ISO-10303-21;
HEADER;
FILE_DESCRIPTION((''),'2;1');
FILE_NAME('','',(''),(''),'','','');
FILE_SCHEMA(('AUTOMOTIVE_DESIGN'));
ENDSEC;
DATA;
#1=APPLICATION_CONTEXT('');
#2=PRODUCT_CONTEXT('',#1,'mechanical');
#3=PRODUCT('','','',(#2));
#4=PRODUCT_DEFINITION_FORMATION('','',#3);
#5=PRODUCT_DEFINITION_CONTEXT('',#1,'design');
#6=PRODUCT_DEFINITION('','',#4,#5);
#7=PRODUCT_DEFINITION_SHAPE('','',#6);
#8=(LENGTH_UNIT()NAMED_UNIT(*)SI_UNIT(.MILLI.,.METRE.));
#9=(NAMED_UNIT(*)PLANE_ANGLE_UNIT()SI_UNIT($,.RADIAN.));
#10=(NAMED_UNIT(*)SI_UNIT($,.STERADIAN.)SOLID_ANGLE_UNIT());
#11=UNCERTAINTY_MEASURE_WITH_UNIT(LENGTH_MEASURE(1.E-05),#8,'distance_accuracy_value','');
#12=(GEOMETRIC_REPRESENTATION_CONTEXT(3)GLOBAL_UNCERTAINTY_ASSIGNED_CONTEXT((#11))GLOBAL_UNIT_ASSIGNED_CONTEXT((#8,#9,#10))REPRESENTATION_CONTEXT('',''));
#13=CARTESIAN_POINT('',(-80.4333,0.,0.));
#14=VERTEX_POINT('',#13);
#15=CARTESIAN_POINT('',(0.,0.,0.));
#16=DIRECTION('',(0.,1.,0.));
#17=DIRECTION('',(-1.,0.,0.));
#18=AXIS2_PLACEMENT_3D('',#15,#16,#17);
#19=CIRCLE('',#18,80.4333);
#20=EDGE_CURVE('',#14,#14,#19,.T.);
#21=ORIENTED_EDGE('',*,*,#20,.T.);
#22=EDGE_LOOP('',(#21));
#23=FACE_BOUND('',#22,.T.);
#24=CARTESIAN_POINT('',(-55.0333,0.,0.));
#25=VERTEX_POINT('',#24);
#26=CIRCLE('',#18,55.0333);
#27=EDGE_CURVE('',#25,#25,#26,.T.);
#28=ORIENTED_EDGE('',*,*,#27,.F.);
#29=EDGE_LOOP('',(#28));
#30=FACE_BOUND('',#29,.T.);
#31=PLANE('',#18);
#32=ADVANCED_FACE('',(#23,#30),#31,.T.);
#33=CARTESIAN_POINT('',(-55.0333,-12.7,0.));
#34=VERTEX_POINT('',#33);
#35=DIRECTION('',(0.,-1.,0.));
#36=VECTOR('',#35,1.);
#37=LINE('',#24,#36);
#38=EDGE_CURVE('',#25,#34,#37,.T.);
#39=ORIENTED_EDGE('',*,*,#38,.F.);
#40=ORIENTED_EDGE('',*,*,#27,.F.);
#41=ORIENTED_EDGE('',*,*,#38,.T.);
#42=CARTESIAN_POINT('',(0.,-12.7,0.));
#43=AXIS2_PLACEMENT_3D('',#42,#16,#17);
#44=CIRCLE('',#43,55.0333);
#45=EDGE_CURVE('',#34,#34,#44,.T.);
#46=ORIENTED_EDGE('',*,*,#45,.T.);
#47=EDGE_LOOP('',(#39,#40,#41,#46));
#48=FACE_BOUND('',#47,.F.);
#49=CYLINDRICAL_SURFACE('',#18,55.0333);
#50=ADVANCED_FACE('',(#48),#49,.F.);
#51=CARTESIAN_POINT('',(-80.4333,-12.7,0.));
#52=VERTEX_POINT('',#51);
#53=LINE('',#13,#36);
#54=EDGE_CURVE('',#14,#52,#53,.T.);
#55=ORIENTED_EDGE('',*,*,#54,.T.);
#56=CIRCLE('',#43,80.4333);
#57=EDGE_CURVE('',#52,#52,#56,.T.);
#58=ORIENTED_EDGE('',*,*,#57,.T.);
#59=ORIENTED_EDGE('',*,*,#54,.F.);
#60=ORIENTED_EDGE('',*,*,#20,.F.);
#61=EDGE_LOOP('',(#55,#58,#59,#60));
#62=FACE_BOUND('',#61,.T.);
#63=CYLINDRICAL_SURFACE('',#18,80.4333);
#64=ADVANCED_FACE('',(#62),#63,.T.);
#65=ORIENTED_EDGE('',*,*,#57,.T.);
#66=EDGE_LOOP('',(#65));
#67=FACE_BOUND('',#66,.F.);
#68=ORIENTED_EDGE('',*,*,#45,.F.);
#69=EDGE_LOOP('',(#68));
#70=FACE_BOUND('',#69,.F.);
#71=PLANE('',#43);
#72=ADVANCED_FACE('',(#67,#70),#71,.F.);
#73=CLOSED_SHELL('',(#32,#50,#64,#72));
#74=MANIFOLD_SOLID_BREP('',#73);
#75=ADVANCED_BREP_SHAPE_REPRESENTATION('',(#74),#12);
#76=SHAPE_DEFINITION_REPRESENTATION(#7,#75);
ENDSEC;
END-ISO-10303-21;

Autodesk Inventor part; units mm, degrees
ref_plane "YZ Plane" through (0, 0, 0) normal (1, 0, 0) x (0, 1, 0)
ref_plane "XZ Plane" through (0, 0, 0) normal (0, 1, 0) x (-1, 0, 0)
sketch "Sketch1" plane through (0, 0, 0) normal (0, 1, 0) x (-1, 0, 0)
  circle A0 centre (0, 0) radius 55.0333
  circle A1 centre (0, 0) radius 80.4333
  dimension "insideCamDiam" = 110.0667
  dimension "outsideCamDiam" = 160.8667
extrude "Extrusion1" add sketch "Sketch1" against normal blind 12.7
equation "\"frisbeeOuterDiamter\" = 105.83333"
equation "\"frisbeeHopperOutsideDiam\" = 97.36667"
equation "\"one_third_of_circle\" = 120deg"
equation "\"camTrackDiam\" = 6.35"
equation "\"camRadius\" = 74.08333"
properties part number "vexCam5"
